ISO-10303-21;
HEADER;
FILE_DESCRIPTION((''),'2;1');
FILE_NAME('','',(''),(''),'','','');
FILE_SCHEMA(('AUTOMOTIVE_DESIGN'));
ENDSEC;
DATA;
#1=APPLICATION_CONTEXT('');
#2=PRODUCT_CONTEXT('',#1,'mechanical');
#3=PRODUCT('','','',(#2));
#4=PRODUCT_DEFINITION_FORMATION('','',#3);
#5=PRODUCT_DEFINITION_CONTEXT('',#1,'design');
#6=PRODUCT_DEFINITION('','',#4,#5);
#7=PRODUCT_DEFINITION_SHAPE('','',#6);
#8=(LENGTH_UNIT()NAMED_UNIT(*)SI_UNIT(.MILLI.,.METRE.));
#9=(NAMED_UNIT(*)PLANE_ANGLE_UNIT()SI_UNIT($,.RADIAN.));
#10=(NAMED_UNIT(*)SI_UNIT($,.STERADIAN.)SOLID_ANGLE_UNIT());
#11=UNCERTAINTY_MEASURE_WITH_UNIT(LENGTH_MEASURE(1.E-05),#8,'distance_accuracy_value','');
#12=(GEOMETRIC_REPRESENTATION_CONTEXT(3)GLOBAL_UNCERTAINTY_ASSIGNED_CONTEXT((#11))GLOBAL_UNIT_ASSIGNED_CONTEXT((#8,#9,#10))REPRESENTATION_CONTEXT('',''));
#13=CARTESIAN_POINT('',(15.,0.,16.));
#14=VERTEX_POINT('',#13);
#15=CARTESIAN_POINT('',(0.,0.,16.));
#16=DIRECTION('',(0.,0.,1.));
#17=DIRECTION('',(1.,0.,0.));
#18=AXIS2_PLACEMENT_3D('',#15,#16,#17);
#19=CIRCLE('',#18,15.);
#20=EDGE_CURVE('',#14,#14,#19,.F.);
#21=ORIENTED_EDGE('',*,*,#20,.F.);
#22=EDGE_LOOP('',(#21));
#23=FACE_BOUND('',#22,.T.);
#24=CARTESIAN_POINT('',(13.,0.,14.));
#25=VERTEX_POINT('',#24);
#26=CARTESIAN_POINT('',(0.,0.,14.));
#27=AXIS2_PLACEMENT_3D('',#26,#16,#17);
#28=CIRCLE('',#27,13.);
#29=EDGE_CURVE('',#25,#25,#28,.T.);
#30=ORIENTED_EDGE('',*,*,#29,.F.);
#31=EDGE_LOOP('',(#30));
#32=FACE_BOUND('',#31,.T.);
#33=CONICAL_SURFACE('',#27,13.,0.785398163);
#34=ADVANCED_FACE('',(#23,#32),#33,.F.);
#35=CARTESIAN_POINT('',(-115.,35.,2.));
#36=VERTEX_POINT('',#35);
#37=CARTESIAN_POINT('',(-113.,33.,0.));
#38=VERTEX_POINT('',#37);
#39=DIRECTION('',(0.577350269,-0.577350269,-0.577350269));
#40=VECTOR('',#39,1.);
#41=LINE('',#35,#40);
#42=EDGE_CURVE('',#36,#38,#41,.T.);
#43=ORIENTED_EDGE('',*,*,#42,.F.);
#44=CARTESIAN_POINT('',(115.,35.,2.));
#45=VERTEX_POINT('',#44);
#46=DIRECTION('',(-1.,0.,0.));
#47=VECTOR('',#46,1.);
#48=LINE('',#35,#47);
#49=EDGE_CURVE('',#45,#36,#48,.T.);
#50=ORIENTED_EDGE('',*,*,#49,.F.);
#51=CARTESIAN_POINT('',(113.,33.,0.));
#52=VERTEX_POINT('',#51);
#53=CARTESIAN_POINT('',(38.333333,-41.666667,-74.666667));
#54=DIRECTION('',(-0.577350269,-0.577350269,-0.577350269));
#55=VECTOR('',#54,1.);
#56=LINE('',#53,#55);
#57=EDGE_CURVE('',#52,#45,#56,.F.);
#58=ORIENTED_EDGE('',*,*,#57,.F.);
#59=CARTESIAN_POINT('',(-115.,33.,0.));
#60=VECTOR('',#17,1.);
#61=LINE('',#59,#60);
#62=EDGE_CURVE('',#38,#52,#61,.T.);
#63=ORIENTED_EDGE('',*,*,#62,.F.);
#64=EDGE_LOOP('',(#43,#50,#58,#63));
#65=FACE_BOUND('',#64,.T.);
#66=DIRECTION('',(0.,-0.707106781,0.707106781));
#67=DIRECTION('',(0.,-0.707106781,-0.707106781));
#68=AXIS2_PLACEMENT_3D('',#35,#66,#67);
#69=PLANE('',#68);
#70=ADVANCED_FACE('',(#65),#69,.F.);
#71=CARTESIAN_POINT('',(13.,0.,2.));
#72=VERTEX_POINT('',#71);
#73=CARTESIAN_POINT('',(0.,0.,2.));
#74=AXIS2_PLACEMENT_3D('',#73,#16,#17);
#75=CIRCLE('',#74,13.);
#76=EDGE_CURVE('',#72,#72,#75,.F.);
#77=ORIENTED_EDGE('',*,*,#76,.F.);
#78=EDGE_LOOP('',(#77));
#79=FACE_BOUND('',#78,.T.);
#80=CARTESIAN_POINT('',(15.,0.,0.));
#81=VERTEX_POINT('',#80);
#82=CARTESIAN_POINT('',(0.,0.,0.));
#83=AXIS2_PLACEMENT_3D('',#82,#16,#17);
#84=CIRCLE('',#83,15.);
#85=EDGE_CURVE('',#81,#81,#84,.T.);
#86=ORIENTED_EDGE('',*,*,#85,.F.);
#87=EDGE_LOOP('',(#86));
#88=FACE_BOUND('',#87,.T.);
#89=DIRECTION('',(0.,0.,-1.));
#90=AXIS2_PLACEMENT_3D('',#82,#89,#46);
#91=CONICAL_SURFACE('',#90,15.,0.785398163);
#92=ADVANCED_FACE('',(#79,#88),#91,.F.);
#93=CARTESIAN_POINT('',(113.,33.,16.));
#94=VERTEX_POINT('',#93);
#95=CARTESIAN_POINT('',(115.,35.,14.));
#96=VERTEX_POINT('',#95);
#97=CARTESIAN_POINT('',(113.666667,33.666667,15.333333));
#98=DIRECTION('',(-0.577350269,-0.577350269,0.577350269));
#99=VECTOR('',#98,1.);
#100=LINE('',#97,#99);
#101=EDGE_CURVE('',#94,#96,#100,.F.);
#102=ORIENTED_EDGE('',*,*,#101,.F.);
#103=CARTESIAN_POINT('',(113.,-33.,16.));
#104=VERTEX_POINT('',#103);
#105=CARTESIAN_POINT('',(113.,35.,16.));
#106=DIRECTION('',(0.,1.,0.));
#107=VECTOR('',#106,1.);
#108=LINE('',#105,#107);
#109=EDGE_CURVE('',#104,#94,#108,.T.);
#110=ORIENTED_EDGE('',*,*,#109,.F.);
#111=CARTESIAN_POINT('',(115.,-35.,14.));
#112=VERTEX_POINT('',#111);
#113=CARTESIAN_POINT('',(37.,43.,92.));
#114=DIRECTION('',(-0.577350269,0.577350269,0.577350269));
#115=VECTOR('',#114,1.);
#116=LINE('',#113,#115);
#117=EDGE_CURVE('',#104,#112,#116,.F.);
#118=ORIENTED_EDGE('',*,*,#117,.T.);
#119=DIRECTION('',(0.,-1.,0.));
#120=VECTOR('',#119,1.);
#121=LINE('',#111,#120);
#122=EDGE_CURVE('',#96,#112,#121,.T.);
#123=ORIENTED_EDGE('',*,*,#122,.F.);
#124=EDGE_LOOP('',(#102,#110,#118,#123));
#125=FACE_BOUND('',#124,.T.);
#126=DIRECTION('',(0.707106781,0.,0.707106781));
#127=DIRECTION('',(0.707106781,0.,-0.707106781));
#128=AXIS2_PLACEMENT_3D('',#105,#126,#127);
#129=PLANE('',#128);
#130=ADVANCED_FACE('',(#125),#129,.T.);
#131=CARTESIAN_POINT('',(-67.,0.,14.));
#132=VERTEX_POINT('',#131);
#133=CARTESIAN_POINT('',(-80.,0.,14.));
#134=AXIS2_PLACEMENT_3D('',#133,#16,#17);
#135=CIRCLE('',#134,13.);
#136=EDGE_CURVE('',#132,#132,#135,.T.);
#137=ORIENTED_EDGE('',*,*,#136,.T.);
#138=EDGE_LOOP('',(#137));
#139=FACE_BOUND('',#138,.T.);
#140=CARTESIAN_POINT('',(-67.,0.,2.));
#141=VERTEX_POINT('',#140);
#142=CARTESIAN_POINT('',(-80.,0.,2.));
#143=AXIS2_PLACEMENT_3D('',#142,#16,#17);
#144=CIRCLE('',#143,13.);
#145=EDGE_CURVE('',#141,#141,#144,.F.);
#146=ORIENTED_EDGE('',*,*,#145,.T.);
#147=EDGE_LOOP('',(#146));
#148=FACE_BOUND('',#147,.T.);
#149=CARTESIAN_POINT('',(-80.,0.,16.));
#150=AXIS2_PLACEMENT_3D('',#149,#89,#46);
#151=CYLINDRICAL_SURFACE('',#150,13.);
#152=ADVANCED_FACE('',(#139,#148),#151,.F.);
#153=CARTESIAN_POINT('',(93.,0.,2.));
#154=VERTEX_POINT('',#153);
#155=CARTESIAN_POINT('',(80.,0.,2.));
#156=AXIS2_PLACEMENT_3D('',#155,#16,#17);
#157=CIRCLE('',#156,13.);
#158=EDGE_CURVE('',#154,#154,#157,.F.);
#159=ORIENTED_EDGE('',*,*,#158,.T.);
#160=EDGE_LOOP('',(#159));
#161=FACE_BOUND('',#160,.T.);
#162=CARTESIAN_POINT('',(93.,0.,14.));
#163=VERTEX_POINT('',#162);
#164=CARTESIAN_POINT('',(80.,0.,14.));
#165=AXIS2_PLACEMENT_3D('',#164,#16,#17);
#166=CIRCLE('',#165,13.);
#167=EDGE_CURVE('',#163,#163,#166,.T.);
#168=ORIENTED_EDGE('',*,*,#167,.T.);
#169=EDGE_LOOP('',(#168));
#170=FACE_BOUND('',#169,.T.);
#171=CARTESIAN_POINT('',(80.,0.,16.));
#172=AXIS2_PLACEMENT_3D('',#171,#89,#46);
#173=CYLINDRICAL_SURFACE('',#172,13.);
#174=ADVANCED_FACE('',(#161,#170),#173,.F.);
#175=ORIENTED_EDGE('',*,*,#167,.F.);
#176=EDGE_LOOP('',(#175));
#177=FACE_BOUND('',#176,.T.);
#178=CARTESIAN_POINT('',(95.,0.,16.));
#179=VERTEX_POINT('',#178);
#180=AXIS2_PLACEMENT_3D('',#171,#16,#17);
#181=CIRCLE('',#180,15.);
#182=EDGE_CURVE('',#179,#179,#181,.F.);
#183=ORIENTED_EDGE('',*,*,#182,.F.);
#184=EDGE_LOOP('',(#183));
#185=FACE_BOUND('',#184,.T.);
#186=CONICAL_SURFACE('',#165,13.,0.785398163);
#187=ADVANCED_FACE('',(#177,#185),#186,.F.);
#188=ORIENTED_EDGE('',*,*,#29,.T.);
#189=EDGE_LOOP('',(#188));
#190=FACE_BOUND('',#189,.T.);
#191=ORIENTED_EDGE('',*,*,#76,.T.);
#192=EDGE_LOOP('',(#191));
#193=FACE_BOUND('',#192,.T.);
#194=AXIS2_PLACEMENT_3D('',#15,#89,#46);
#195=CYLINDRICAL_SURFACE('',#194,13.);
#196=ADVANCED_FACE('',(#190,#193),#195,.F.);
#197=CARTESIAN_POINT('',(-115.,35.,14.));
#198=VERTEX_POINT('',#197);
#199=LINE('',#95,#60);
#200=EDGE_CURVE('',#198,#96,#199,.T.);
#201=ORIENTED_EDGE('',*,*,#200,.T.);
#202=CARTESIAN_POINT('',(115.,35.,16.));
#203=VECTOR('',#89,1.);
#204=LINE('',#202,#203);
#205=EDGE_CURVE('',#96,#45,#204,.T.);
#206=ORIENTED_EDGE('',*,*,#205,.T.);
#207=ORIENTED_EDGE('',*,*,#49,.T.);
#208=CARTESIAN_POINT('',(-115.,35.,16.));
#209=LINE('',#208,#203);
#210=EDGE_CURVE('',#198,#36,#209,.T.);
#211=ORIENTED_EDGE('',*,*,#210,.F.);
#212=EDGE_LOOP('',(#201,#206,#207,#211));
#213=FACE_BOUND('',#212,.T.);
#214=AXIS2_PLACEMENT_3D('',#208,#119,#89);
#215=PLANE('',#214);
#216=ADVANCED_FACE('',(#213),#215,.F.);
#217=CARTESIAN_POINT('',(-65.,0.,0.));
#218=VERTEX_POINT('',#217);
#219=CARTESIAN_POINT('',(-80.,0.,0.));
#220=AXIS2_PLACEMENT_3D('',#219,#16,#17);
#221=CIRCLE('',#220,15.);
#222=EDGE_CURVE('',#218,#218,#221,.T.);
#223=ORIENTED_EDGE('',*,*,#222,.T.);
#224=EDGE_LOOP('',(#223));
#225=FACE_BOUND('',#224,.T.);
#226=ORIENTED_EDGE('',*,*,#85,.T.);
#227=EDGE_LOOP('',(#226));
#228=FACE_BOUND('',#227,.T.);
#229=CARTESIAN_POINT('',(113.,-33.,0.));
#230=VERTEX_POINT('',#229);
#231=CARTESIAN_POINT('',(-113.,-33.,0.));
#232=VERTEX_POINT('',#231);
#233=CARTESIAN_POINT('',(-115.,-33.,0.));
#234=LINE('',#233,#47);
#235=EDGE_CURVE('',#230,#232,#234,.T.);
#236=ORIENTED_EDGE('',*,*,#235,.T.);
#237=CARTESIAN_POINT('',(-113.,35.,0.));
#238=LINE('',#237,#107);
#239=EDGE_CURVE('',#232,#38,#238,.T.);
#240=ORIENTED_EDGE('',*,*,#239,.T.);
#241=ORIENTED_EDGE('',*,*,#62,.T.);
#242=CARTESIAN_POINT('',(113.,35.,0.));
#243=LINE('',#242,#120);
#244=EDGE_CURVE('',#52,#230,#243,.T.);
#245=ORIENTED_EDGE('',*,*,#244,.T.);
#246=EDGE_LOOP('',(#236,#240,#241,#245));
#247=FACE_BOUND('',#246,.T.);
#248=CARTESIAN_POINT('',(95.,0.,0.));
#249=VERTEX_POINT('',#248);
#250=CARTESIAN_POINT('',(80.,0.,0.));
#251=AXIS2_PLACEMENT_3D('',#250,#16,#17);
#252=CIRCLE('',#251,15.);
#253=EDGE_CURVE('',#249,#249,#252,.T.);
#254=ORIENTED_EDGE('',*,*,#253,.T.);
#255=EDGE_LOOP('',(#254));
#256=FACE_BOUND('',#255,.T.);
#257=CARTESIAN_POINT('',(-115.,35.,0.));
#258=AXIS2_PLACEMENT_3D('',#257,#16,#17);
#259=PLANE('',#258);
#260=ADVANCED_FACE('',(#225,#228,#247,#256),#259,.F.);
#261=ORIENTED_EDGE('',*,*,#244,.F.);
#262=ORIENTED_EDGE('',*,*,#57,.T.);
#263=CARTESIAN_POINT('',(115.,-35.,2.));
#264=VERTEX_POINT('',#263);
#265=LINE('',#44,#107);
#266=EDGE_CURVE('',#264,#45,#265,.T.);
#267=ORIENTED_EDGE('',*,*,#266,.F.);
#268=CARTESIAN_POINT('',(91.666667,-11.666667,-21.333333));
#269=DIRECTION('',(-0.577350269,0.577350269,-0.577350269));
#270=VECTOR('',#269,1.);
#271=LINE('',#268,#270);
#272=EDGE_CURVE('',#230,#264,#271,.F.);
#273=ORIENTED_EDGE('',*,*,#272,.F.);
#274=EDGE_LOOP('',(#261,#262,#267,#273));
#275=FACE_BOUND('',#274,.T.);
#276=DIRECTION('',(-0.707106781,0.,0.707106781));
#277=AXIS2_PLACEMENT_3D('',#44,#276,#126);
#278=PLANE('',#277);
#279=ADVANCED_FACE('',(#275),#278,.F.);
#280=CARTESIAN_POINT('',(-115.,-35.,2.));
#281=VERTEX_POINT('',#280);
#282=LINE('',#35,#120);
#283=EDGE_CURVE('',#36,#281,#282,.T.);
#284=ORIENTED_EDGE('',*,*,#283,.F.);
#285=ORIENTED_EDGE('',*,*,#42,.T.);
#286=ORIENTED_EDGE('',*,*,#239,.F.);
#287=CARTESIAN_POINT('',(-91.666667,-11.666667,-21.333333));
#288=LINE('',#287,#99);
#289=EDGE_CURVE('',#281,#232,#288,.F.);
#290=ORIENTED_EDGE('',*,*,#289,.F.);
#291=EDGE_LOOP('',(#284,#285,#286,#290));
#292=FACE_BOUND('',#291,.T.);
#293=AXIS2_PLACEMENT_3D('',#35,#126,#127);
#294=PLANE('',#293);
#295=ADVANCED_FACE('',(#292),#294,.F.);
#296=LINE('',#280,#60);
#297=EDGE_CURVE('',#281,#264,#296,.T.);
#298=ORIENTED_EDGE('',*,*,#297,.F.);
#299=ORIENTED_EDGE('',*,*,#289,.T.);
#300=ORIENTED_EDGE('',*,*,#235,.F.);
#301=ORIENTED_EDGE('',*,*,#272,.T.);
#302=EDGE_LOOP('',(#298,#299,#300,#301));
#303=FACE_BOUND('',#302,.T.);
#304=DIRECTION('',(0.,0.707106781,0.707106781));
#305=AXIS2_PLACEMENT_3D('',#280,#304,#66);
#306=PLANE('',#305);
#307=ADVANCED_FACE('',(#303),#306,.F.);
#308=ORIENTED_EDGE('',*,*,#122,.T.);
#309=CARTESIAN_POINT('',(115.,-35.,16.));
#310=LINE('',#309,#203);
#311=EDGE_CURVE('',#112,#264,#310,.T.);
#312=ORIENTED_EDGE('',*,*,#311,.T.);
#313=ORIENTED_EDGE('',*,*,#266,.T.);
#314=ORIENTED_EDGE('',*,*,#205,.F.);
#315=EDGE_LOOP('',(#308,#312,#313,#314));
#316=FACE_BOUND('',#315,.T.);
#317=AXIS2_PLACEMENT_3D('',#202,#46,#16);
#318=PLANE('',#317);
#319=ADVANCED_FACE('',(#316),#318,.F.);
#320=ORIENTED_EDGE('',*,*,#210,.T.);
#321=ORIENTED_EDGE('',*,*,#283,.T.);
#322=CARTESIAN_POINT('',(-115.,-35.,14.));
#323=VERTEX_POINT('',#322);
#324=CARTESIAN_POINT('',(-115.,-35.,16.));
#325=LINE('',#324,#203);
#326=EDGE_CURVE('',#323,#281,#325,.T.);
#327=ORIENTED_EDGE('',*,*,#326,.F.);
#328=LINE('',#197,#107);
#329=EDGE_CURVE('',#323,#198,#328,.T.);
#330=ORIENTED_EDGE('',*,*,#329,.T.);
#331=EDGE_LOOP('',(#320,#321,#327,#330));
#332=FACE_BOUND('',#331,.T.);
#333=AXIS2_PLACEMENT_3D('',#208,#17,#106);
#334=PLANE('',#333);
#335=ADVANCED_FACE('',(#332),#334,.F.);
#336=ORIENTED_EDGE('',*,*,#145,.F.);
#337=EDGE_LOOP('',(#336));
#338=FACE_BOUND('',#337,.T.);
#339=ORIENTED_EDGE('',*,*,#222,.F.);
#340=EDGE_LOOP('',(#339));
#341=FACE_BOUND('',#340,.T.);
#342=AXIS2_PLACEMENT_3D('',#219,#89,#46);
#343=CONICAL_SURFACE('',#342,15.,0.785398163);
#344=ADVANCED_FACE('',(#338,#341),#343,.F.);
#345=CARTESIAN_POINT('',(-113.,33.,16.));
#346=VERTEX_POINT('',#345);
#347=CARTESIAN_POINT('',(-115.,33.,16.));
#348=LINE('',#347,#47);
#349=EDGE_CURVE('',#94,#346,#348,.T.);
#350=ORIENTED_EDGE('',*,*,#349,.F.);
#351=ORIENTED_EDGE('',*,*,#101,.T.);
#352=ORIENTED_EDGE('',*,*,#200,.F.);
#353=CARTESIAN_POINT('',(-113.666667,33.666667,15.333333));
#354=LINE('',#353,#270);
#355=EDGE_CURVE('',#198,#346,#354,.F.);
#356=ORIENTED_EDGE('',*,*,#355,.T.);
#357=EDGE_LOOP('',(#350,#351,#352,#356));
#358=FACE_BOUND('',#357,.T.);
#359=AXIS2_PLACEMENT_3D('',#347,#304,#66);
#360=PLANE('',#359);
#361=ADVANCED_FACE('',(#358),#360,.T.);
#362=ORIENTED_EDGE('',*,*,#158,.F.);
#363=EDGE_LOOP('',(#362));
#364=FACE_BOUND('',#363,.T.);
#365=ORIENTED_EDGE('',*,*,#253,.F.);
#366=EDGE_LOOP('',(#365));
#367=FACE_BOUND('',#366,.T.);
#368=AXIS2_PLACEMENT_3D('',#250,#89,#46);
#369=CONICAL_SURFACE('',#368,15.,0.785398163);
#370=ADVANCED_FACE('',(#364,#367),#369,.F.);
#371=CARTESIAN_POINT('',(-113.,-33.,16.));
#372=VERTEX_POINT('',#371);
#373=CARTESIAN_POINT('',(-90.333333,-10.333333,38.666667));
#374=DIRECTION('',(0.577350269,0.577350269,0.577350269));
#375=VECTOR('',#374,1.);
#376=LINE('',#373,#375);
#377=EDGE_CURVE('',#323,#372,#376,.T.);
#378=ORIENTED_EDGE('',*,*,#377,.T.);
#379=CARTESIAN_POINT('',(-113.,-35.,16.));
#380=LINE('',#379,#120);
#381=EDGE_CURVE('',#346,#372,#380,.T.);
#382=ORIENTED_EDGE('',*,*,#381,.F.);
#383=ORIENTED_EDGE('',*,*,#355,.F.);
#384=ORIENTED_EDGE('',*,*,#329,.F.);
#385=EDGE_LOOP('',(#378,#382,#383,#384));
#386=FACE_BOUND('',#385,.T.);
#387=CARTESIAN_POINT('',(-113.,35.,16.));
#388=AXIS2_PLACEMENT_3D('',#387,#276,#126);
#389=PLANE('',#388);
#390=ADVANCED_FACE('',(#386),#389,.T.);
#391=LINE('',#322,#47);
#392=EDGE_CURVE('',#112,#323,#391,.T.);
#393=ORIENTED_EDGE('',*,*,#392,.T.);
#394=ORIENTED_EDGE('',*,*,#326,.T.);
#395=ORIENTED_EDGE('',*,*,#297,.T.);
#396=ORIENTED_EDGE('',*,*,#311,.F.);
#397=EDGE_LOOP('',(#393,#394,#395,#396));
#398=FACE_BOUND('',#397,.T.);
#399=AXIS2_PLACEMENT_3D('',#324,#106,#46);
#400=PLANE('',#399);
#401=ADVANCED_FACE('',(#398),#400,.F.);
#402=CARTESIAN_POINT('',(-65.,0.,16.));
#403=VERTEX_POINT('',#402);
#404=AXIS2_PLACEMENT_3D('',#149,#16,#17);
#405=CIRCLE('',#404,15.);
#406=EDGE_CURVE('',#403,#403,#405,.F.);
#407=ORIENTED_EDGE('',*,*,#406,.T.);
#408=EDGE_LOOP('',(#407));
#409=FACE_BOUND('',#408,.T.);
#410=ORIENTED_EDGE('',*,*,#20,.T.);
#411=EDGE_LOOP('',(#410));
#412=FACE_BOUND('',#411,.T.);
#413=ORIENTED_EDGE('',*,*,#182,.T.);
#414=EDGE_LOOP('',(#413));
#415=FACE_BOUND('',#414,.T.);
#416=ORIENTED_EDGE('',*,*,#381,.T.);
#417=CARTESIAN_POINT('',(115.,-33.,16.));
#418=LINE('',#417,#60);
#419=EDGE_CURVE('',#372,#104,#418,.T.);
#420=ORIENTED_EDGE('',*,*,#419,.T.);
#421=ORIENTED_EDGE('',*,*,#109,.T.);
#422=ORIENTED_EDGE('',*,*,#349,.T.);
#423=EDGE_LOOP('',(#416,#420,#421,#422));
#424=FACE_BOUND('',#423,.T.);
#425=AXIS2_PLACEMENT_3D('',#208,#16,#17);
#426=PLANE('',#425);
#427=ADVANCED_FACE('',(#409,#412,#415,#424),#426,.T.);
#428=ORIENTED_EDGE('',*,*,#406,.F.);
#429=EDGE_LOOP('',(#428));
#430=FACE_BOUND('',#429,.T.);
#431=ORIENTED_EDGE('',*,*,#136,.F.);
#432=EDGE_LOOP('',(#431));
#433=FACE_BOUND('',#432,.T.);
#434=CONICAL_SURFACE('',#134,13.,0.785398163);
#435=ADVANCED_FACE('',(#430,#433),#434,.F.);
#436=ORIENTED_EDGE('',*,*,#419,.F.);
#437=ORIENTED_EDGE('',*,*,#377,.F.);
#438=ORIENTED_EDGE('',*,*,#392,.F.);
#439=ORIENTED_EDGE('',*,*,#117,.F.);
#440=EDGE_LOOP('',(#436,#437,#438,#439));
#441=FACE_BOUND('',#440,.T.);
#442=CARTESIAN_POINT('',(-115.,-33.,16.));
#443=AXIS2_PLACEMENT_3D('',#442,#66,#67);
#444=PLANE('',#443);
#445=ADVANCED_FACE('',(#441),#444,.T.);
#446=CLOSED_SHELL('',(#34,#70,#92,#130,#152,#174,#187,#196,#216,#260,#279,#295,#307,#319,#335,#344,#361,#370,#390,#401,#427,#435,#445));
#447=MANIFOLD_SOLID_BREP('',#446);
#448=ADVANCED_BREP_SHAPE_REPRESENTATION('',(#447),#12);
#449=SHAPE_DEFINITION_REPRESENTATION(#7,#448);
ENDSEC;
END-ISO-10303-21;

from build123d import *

# Parameters (mm, degrees)
SKETCH_1_W        = 230
SKETCH_1_H        = 70
SKETCH_1_R        = 13
EXTRUDE_365_DEPTH = 16
CHAMFER_1_SIZE    = 2


with BuildPart() as part:
    # 草图1 → Extrude 365 (new body)
    with BuildSketch(Plane.XY):
        Rectangle(SKETCH_1_W, SKETCH_1_H)
        Circle(SKETCH_1_R, mode=Mode.SUBTRACT)
        with Locations((80, 0)):
            Circle(SKETCH_1_R, mode=Mode.SUBTRACT)
        with Locations((-80, 0)):
            Circle(SKETCH_1_R, mode=Mode.SUBTRACT)
    extrude(amount=EXTRUDE_365_DEPTH)

    # 倒角1
    chamfer_1_edges = [part.edges().sort_by_distance(p)[0] for p in [
        (115, 0, 16),
        (-13, 0, 0),
        (-13, 0, 16),
        (0, 35, 16),
        (67, 0, 0),
        (67, 0, 16),
        (-93, 0, 0),
        (-93, 0, 16),
        (-115, 0, 16),
        (0, 35, 0),
        (115, 0, 0),
        (0, -35, 0),
        (-115, 0, 0),
        (0, -35, 16),
    ]]
    chamfer(chamfer_1_edges, length=CHAMFER_1_SIZE)


solid = part.part
